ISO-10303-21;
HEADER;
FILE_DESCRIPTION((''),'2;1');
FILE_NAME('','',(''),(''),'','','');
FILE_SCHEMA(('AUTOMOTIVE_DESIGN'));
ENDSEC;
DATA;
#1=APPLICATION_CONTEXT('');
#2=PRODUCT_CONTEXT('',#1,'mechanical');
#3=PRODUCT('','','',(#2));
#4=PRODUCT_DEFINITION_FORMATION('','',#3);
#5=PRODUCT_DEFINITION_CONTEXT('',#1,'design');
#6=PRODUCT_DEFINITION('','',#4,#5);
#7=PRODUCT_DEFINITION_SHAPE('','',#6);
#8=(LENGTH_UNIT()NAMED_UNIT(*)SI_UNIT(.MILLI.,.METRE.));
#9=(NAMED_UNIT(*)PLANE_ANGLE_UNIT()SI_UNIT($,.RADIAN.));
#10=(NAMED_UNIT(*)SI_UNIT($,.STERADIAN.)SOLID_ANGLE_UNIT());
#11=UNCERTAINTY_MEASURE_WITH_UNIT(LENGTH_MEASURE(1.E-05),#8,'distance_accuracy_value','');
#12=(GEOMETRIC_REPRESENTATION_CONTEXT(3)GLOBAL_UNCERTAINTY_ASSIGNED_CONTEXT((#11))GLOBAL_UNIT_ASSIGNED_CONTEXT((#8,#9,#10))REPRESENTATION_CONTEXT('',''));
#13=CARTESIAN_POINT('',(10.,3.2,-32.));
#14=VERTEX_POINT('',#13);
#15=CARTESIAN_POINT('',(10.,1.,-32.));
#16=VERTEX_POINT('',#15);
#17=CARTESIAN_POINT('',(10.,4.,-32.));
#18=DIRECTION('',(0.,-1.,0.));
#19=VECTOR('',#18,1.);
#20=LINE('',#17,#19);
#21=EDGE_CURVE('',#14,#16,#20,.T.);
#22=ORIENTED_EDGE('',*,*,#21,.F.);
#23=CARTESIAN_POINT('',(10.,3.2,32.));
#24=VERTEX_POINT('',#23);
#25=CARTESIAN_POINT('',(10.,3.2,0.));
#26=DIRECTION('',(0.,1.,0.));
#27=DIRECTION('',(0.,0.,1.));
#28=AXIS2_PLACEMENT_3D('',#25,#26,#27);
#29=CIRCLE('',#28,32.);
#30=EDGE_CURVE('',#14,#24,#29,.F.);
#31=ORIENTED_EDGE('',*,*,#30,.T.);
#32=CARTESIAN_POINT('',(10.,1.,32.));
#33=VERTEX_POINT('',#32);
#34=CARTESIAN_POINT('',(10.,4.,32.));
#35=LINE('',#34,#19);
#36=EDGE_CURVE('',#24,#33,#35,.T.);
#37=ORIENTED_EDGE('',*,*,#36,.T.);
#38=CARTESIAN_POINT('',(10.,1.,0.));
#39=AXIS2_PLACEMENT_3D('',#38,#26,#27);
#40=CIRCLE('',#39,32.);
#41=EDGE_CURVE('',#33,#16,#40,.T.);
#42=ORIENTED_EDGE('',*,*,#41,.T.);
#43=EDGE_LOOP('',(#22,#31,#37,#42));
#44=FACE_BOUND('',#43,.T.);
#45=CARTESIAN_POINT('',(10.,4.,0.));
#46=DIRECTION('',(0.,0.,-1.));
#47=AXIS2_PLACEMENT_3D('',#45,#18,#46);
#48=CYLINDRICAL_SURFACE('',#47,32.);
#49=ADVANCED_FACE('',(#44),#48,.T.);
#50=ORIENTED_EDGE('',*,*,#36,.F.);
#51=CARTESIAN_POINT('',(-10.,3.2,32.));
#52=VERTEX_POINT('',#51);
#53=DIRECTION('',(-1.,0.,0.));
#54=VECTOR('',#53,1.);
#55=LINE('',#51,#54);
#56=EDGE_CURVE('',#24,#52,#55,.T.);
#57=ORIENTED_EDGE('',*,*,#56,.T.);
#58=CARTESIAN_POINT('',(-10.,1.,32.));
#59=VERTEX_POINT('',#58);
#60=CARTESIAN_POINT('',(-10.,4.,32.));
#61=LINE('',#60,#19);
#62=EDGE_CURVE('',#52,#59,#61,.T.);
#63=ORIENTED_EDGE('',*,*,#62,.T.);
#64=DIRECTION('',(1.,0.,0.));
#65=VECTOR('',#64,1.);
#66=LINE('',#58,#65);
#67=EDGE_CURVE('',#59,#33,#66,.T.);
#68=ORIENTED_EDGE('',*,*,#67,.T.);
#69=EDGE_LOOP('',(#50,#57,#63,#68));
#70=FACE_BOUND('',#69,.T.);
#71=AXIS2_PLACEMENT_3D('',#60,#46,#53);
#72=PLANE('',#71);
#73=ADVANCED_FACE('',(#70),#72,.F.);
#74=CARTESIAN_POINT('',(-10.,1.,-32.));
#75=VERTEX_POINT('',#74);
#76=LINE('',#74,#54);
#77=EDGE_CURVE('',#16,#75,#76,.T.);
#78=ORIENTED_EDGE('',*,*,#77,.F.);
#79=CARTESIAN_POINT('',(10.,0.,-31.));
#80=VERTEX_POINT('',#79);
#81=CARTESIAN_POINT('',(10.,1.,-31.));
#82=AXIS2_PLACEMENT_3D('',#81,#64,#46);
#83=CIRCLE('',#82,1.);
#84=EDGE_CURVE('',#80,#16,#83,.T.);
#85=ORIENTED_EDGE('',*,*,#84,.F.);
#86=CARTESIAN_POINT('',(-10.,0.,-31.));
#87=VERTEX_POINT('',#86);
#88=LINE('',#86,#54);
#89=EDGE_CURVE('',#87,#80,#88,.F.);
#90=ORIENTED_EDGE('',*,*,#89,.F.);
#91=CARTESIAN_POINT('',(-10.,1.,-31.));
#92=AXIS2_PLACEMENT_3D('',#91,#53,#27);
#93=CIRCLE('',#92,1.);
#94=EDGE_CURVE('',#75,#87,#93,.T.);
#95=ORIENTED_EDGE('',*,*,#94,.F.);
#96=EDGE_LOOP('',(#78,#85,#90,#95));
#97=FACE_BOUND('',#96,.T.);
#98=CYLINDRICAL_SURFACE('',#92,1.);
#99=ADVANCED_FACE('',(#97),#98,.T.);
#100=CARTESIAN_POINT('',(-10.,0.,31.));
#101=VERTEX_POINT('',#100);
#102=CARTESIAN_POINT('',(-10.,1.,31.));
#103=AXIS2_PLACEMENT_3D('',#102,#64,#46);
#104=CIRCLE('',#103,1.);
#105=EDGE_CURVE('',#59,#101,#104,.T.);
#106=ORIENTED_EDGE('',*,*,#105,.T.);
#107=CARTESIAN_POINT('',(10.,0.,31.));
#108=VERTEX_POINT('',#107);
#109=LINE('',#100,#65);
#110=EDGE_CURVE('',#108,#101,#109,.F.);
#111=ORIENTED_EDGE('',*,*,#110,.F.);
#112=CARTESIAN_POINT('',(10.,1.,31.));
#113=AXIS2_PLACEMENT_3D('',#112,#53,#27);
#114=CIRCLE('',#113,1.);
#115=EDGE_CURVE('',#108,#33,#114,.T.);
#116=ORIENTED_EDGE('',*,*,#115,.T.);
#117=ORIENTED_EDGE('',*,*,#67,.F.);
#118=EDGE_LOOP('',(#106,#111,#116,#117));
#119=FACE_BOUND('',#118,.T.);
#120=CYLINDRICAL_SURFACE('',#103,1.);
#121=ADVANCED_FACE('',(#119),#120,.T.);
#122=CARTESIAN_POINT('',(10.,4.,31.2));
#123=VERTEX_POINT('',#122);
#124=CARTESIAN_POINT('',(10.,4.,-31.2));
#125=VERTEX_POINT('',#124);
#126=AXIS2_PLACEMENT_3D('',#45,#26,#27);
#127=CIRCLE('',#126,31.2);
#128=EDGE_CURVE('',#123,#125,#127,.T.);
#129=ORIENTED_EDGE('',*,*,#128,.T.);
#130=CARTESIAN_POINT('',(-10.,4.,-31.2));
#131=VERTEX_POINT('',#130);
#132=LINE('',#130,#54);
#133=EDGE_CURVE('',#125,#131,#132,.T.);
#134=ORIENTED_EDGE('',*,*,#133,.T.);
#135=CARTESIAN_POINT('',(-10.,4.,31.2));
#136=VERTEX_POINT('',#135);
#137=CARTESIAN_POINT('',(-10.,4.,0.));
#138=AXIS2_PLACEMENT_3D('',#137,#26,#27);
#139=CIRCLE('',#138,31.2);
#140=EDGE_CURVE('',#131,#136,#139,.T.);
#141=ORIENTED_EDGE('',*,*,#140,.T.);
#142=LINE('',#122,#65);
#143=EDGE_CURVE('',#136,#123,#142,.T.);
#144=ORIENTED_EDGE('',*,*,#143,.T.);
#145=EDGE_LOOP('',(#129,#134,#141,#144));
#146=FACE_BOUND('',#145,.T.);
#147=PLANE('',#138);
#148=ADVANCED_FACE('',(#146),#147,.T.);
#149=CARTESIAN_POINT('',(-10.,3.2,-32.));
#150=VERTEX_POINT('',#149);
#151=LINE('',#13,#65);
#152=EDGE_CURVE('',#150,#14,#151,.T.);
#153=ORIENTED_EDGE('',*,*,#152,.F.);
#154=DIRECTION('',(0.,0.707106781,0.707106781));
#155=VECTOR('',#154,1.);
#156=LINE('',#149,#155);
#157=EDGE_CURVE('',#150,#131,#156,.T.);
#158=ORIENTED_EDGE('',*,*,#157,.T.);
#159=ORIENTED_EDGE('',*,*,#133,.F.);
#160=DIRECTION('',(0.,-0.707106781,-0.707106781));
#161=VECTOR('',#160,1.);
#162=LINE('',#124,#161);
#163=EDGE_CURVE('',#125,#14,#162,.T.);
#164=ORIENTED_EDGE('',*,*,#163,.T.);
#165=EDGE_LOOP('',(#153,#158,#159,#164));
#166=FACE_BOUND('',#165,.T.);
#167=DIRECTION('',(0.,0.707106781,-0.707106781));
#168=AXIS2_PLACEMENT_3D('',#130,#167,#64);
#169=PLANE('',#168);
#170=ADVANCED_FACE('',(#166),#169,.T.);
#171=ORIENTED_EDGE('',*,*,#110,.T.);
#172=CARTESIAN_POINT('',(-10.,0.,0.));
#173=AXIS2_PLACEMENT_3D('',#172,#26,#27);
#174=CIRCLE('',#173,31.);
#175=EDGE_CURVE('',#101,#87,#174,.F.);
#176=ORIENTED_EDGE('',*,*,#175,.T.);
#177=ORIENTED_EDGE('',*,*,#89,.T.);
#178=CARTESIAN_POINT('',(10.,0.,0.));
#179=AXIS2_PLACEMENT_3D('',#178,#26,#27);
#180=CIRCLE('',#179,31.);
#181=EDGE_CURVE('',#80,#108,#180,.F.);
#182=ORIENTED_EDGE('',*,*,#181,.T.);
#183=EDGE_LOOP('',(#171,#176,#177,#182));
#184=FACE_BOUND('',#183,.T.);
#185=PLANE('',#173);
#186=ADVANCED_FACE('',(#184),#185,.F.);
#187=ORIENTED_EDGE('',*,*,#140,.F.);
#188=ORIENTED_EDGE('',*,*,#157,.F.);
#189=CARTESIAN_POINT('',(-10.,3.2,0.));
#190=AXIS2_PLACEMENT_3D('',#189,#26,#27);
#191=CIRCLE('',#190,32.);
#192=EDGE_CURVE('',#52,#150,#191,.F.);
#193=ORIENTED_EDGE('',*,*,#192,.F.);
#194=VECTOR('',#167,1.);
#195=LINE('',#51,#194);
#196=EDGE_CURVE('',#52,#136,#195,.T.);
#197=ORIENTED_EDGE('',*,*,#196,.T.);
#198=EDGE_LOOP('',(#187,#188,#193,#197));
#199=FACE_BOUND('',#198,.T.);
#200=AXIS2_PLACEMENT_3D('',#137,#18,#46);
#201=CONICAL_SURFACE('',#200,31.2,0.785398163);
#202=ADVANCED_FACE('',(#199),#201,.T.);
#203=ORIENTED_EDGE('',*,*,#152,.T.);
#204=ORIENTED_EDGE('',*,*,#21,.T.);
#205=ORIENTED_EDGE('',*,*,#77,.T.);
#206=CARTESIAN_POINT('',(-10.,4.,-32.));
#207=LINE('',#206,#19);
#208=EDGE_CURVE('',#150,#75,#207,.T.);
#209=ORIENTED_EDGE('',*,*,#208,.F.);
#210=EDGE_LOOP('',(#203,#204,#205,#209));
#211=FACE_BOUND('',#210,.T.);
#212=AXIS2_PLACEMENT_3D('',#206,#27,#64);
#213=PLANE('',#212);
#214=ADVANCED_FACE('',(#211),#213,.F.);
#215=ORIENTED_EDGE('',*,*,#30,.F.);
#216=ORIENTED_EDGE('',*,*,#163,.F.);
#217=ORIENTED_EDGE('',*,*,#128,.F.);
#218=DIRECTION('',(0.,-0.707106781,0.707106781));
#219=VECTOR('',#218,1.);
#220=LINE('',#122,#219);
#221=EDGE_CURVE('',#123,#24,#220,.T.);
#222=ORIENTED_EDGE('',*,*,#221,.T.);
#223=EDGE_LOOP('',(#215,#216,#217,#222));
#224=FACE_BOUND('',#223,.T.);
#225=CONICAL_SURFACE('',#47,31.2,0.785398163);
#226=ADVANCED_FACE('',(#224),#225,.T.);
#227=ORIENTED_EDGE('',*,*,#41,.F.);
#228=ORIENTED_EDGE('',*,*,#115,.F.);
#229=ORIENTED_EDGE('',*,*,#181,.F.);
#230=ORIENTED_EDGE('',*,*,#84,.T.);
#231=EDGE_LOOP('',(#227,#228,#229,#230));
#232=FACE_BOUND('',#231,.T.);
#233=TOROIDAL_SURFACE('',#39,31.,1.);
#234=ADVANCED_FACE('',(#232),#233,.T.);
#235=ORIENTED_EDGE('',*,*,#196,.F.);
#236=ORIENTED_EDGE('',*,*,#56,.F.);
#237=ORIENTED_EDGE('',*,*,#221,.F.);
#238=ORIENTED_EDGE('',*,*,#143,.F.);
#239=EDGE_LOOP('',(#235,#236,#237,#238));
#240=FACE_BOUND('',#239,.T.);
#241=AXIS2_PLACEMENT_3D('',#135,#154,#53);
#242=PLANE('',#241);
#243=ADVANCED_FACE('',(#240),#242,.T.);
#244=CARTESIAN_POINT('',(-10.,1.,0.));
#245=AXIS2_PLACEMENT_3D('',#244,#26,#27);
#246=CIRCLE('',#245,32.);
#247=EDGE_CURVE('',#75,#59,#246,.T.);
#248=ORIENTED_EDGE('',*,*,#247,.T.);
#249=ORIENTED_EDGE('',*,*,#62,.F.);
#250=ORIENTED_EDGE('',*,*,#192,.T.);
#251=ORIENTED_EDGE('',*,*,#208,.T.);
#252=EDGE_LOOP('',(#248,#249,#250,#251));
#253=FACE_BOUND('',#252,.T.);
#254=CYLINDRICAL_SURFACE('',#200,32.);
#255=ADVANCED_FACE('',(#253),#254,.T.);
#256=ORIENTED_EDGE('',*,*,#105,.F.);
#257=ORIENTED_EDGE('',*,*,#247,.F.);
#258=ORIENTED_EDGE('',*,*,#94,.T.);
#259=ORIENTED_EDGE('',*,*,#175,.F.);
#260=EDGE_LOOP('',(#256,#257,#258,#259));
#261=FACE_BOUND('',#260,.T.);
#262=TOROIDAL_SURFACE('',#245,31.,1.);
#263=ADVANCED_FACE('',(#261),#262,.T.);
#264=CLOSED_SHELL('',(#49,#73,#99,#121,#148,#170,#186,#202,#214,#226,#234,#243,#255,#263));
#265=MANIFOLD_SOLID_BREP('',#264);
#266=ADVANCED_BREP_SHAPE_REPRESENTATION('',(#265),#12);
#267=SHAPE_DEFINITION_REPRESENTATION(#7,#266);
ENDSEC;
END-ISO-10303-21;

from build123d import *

# Parameters (mm, degrees)
BOSS_EXTRUDE1_DEPTH = 4
CHAMFER1_SIZE       = 0.8
FILLET1_R           = 1


with BuildPart() as part:
    # Sketch1 → Boss-Extrude1 (new body)
    with BuildSketch(Plane(origin=(0, 0, 0), x_dir=(1, 0, 0), z_dir=(0, 1, 0))):
        with BuildLine():
            Line((-10, 32), (10, 32))
            ThreePointArc((10, 32), (42, 0), (10, -32))
            Line((10, -32), (-10, -32))
            ThreePointArc((-10, -32), (-42, 0), (-10, 32))
        make_face()
    extrude(amount=BOSS_EXTRUDE1_DEPTH)

    # Chamfer1
    chamfer1_edges = [part.edges().sort_by_distance(p)[0] for p in [
        (42, 4, 0),
        (0, 4, -32),
        (-42, 4, 0),
        (0, 4, 32),
    ]]
    chamfer(chamfer1_edges, length=CHAMFER1_SIZE)

    # Fillet1
    fillet1_edges = [part.edges().sort_by_distance(p)[0] for p in [
        (0, 0, -32),
        (42, 0, 0),
        (0, 0, 32),
        (-42, 0, 0),
    ]]
    fillet(fillet1_edges, radius=FILLET1_R)


solid = part.part
